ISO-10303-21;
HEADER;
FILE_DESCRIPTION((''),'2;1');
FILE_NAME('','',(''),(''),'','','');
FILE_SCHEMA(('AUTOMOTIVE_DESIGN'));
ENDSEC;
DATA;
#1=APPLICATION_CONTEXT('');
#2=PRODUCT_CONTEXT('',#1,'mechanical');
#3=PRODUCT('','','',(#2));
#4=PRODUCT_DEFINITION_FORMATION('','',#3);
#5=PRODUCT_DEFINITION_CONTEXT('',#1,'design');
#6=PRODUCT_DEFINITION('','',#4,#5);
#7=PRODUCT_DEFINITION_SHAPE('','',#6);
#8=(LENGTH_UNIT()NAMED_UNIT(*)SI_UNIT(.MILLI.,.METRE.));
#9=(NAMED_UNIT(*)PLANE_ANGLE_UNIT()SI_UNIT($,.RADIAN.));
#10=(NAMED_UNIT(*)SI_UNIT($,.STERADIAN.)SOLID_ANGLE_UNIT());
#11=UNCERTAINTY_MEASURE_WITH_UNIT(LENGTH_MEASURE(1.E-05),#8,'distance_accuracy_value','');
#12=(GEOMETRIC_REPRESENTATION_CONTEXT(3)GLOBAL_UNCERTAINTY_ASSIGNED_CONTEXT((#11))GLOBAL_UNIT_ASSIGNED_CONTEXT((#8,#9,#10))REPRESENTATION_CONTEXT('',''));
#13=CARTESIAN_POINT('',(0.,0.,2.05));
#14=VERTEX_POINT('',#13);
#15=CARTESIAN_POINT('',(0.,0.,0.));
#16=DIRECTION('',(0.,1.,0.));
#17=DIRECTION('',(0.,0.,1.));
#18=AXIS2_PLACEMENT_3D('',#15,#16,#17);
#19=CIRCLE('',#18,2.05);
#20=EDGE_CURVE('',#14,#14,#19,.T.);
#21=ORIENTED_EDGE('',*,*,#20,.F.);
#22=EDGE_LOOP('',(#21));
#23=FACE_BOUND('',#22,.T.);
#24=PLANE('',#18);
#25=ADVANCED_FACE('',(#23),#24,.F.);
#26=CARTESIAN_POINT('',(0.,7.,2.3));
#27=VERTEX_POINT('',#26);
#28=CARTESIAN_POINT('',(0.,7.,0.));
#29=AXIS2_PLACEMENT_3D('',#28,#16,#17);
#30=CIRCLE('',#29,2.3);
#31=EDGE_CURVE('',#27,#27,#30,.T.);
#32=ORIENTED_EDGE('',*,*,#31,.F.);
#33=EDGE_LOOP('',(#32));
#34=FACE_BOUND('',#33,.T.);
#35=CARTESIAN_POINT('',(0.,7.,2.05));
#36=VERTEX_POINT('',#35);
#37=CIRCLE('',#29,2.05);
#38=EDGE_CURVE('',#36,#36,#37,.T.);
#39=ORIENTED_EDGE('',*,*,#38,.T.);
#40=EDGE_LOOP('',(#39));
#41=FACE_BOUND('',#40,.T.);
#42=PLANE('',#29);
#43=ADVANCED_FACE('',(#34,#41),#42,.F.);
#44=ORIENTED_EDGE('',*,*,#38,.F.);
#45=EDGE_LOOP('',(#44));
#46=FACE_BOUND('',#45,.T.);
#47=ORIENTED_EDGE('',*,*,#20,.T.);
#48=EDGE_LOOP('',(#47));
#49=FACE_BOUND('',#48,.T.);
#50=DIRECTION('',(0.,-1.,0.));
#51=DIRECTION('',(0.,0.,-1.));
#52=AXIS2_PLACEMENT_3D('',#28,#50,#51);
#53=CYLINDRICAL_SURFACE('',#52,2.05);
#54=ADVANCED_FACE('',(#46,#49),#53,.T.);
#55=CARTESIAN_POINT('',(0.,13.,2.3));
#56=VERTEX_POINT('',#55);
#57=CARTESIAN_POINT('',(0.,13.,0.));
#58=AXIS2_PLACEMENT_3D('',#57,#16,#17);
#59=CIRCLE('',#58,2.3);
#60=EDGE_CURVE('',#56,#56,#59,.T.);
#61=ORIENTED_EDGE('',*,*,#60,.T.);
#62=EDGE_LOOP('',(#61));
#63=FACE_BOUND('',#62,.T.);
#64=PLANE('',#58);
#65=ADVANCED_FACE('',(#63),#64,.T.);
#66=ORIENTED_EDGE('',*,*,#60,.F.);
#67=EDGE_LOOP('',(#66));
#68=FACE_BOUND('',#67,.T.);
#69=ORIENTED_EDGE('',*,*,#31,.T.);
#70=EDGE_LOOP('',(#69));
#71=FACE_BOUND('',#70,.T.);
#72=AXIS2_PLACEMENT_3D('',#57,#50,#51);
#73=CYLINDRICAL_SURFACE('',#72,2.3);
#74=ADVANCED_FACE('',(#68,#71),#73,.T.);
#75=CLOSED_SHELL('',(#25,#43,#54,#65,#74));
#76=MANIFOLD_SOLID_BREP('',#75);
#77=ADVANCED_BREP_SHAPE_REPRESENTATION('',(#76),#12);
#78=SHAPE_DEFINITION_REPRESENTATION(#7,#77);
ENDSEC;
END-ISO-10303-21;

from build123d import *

# Parameters (mm, degrees)
SKETCH_1_R      = 2.05
EXTRUDE_1_DEPTH = 7
SKETCH_2_R      = 2.3
EXTRUDE_2_DEPTH = 6


with BuildPart() as part:
    # 草图1 → 凸台-拉伸1 (new body)
    with BuildSketch(Plane(origin=(0, 0, 0), x_dir=(1, 0, 0), z_dir=(0, 1, 0))):
        with Locations(Location((0, 0, 0), (0, 0, 270))):
            Circle(SKETCH_1_R)
    extrude(amount=EXTRUDE_1_DEPTH)

    # 草图2 → 凸台-拉伸2 (add)
    with BuildSketch(Plane(origin=(0, 7, 0), x_dir=(1, 0, 0), z_dir=(0, 1, 0))):
        with Locations(Location((0, 0, 0), (0, 0, 270))):
            Circle(SKETCH_2_R)
    extrude(amount=EXTRUDE_2_DEPTH)


solid = part.part
